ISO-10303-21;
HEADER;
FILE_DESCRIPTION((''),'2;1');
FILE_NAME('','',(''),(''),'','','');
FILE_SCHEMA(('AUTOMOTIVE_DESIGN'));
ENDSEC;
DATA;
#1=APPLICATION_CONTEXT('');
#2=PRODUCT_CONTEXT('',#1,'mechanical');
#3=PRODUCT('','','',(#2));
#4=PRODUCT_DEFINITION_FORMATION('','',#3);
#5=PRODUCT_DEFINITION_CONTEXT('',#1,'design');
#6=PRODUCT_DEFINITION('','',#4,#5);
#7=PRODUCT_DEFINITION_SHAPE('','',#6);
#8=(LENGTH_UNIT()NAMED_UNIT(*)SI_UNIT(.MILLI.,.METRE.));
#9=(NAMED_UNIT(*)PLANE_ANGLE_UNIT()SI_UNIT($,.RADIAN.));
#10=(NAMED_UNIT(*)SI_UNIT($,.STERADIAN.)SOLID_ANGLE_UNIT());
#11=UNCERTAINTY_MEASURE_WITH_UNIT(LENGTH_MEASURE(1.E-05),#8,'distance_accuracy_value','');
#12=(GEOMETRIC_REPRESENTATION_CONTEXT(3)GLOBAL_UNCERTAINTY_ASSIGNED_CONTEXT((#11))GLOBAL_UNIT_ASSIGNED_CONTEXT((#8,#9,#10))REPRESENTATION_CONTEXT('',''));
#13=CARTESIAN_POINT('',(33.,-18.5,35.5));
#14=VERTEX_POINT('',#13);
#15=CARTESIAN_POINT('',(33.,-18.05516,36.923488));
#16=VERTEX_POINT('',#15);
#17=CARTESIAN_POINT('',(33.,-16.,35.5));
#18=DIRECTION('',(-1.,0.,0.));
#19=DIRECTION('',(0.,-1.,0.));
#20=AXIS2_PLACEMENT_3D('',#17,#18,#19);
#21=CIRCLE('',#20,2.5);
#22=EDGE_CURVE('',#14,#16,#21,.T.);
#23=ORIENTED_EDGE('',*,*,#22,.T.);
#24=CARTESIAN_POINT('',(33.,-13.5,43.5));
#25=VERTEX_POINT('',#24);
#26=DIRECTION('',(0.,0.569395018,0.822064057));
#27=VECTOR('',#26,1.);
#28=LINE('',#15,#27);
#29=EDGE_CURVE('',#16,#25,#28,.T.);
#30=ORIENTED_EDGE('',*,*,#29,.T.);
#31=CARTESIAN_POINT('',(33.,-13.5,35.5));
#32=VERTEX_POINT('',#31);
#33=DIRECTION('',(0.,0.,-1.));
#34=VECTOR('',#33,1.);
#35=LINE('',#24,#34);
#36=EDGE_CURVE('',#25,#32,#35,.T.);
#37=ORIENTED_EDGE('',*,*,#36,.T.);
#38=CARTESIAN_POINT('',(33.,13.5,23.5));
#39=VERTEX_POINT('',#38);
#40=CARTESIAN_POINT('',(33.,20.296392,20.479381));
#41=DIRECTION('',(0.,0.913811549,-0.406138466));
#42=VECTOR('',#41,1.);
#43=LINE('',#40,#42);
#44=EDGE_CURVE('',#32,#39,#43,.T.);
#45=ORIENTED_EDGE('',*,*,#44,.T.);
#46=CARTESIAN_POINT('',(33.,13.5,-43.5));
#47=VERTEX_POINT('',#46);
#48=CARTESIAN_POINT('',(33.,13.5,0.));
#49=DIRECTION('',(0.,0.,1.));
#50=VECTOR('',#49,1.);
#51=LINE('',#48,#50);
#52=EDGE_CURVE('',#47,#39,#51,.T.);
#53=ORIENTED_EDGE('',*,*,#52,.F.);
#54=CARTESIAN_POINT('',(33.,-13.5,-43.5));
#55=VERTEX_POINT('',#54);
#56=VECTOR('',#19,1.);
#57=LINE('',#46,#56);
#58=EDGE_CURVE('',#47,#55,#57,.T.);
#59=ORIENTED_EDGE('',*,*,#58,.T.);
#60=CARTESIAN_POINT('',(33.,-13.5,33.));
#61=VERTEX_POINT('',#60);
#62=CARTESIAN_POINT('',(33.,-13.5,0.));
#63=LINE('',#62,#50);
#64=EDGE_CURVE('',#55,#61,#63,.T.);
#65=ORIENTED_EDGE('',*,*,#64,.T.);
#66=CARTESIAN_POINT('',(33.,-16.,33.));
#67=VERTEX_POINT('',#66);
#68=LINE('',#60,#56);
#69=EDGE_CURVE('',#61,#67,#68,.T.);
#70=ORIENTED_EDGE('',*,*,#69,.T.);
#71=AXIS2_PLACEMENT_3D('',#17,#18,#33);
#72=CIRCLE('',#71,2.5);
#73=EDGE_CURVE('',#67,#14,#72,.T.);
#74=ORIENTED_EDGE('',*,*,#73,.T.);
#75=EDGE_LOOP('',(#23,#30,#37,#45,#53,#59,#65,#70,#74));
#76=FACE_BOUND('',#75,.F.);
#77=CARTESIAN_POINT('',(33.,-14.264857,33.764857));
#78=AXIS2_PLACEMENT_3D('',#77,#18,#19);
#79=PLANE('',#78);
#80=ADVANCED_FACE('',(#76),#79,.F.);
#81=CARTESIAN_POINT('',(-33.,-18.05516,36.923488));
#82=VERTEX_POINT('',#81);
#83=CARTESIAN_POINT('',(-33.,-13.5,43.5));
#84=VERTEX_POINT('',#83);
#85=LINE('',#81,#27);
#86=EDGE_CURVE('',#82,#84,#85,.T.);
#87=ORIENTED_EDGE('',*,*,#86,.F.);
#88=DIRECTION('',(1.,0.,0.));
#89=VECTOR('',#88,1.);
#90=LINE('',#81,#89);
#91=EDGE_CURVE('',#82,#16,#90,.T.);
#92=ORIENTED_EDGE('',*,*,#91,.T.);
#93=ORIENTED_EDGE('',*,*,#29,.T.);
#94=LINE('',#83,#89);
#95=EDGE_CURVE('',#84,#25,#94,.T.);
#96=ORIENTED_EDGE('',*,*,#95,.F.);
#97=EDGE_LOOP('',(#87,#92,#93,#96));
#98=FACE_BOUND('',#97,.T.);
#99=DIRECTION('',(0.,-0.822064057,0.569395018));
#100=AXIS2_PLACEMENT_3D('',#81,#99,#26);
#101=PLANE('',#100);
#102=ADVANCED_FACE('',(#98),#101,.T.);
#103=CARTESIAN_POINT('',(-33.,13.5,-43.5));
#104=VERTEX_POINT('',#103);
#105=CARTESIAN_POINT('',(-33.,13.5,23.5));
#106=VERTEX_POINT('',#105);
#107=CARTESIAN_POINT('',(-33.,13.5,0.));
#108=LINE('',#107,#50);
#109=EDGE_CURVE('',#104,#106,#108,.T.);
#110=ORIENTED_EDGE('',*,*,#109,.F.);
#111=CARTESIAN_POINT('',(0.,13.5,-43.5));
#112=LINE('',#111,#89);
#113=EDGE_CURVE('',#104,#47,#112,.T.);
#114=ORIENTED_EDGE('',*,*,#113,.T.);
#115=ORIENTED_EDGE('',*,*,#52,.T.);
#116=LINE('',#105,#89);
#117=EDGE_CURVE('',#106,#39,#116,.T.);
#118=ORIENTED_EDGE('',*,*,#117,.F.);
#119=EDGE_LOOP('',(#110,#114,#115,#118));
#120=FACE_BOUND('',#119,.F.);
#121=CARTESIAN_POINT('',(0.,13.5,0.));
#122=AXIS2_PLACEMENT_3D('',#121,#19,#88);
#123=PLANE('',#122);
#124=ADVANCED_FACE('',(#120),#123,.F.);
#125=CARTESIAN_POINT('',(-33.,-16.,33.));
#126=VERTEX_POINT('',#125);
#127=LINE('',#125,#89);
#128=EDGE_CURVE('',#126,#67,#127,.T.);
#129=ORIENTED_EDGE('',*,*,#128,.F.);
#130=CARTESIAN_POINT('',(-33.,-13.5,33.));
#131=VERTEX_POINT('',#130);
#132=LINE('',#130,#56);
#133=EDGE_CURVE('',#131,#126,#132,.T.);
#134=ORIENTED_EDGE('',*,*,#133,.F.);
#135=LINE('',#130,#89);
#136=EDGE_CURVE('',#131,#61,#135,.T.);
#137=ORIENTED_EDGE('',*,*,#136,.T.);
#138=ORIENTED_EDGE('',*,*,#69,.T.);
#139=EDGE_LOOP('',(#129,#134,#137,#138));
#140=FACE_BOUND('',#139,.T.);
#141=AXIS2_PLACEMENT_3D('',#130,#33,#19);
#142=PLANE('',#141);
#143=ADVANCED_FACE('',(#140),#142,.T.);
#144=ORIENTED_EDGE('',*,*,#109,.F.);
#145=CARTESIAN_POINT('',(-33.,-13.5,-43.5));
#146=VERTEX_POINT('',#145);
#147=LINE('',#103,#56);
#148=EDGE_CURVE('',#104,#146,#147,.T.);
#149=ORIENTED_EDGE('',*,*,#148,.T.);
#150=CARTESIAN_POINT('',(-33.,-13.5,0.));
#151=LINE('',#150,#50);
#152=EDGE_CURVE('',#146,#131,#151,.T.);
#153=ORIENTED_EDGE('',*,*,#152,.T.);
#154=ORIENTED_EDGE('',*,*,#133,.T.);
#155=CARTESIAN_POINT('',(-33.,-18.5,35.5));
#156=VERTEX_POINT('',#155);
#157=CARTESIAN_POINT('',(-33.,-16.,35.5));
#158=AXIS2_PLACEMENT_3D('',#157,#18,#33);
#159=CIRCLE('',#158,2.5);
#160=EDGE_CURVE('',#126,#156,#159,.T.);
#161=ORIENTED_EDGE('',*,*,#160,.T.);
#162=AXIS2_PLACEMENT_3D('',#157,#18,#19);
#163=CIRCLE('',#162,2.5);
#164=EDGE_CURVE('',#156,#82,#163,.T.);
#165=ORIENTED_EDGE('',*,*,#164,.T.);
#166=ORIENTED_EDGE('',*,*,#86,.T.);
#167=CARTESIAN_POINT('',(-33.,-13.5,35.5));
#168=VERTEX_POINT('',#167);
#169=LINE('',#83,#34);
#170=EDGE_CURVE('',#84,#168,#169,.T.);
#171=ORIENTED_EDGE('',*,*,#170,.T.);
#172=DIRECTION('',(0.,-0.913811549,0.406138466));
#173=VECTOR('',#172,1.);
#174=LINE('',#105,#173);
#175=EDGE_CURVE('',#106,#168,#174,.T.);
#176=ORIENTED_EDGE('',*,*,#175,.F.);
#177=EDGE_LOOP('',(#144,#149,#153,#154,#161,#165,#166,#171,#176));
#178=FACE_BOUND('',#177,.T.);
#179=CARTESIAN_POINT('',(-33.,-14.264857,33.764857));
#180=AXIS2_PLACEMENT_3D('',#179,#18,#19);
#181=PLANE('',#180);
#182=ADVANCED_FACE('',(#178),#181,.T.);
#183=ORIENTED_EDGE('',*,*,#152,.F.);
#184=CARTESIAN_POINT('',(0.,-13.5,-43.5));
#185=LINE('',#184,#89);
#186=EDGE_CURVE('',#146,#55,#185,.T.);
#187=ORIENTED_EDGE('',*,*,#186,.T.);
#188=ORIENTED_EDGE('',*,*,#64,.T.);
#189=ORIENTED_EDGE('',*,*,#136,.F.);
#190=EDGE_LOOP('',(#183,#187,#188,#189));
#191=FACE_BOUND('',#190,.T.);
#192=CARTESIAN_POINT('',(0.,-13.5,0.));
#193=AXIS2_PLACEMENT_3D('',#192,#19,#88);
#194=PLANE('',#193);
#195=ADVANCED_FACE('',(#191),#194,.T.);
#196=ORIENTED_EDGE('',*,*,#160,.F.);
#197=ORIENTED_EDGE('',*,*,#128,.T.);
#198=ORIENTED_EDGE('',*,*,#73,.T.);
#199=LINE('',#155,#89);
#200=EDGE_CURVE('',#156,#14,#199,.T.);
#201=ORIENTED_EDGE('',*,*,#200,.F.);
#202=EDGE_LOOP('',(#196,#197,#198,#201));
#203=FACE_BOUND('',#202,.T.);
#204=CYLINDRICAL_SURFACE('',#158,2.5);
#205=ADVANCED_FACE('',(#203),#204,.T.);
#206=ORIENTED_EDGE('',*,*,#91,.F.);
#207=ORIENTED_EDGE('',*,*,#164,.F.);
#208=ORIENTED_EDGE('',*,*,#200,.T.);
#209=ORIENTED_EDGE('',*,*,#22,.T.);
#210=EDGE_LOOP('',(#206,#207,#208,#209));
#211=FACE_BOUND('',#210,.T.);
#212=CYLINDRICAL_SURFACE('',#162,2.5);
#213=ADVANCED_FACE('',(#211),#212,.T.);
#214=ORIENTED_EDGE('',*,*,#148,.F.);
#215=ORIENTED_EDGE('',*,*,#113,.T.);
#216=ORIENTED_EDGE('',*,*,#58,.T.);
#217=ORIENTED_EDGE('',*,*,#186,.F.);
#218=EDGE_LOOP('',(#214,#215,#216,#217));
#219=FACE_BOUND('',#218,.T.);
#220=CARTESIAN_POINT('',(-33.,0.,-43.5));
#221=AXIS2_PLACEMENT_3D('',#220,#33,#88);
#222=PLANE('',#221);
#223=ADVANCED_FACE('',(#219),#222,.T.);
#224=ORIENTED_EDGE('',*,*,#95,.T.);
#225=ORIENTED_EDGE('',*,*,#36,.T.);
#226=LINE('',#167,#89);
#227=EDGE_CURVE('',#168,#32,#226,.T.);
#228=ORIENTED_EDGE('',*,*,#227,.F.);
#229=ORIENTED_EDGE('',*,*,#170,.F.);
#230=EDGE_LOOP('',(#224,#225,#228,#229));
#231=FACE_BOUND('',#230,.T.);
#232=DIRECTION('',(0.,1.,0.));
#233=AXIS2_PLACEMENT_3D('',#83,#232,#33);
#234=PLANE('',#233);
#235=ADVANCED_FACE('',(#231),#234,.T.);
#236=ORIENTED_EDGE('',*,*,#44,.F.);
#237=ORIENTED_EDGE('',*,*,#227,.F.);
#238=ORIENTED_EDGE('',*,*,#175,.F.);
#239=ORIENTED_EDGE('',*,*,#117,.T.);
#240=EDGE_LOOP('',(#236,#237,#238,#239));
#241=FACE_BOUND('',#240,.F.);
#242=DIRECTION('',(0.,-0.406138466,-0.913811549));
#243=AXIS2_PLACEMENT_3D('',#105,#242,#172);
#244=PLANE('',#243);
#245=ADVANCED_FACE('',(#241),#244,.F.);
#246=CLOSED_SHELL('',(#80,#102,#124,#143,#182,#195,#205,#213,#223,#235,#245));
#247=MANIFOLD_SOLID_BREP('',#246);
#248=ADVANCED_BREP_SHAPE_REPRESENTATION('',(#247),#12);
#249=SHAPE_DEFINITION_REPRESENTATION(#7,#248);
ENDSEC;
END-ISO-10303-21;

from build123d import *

# Parameters (mm, degrees)
F0_W     = 66
F0_H     = 87
F1_DEPTH = 13.5
F3_DEPTH = 70
F4_DEPTH = 66


with BuildPart() as f1:
    # F0 (on Front) → F1 (new body, symmetric)
    with BuildSketch(Plane.XZ):
        Rectangle(F0_W, F0_H)
    extrude(amount=F1_DEPTH, both=True)

    # F2 (on face) → F3 (cut)
    with BuildSketch(Plane(origin=(-33, 0, 0), x_dir=(0, -1, 0), z_dir=(-1, 0, 0))):
        Polygon((13.5, 35.5), (13.5, 43.5), (-13.5, 43.5), (-13.5, 23.5), align=None)
    extrude(amount=-F3_DEPTH, mode=Mode.SUBTRACT)

    # F2 (on face) → F4 (join)
    with BuildSketch(Plane(origin=(-33, 0, 0), x_dir=(0, -1, 0), z_dir=(-1, 0, 0))):
        with BuildLine():
            ThreePointArc((16, 33), (14.232233047, 33.732233047), (13.5, 35.5))
            Line((13.5, 35.5), (13.5, 33))
            Line((13.5, 33), (16, 33))
        make_face()
        with BuildLine():
            ThreePointArc((18.0551601423, 36.9234875445), (15.2543125172, 37.8861999451), (13.5, 35.5))
            ThreePointArc((13.5, 35.5), (14.232233047, 33.732233047), (16, 33))
            ThreePointArc((16, 33), (17.767766953, 33.732233047), (18.5, 35.5))
            ThreePointArc((18.5, 35.5), (18.3861999451, 36.2456874828), (18.0551601423, 36.9234875445))
        make_face()
        with BuildLine():
            Line((18.0551601423, 36.9234875445), (13.5, 43.5))
            Line((13.5, 43.5), (13.5, 35.5))
            ThreePointArc((13.5, 35.5), (15.2543125172, 37.8861999451), (18.0551601423, 36.9234875445))
        make_face()
    extrude(amount=-F4_DEPTH)


solid = f1.part
